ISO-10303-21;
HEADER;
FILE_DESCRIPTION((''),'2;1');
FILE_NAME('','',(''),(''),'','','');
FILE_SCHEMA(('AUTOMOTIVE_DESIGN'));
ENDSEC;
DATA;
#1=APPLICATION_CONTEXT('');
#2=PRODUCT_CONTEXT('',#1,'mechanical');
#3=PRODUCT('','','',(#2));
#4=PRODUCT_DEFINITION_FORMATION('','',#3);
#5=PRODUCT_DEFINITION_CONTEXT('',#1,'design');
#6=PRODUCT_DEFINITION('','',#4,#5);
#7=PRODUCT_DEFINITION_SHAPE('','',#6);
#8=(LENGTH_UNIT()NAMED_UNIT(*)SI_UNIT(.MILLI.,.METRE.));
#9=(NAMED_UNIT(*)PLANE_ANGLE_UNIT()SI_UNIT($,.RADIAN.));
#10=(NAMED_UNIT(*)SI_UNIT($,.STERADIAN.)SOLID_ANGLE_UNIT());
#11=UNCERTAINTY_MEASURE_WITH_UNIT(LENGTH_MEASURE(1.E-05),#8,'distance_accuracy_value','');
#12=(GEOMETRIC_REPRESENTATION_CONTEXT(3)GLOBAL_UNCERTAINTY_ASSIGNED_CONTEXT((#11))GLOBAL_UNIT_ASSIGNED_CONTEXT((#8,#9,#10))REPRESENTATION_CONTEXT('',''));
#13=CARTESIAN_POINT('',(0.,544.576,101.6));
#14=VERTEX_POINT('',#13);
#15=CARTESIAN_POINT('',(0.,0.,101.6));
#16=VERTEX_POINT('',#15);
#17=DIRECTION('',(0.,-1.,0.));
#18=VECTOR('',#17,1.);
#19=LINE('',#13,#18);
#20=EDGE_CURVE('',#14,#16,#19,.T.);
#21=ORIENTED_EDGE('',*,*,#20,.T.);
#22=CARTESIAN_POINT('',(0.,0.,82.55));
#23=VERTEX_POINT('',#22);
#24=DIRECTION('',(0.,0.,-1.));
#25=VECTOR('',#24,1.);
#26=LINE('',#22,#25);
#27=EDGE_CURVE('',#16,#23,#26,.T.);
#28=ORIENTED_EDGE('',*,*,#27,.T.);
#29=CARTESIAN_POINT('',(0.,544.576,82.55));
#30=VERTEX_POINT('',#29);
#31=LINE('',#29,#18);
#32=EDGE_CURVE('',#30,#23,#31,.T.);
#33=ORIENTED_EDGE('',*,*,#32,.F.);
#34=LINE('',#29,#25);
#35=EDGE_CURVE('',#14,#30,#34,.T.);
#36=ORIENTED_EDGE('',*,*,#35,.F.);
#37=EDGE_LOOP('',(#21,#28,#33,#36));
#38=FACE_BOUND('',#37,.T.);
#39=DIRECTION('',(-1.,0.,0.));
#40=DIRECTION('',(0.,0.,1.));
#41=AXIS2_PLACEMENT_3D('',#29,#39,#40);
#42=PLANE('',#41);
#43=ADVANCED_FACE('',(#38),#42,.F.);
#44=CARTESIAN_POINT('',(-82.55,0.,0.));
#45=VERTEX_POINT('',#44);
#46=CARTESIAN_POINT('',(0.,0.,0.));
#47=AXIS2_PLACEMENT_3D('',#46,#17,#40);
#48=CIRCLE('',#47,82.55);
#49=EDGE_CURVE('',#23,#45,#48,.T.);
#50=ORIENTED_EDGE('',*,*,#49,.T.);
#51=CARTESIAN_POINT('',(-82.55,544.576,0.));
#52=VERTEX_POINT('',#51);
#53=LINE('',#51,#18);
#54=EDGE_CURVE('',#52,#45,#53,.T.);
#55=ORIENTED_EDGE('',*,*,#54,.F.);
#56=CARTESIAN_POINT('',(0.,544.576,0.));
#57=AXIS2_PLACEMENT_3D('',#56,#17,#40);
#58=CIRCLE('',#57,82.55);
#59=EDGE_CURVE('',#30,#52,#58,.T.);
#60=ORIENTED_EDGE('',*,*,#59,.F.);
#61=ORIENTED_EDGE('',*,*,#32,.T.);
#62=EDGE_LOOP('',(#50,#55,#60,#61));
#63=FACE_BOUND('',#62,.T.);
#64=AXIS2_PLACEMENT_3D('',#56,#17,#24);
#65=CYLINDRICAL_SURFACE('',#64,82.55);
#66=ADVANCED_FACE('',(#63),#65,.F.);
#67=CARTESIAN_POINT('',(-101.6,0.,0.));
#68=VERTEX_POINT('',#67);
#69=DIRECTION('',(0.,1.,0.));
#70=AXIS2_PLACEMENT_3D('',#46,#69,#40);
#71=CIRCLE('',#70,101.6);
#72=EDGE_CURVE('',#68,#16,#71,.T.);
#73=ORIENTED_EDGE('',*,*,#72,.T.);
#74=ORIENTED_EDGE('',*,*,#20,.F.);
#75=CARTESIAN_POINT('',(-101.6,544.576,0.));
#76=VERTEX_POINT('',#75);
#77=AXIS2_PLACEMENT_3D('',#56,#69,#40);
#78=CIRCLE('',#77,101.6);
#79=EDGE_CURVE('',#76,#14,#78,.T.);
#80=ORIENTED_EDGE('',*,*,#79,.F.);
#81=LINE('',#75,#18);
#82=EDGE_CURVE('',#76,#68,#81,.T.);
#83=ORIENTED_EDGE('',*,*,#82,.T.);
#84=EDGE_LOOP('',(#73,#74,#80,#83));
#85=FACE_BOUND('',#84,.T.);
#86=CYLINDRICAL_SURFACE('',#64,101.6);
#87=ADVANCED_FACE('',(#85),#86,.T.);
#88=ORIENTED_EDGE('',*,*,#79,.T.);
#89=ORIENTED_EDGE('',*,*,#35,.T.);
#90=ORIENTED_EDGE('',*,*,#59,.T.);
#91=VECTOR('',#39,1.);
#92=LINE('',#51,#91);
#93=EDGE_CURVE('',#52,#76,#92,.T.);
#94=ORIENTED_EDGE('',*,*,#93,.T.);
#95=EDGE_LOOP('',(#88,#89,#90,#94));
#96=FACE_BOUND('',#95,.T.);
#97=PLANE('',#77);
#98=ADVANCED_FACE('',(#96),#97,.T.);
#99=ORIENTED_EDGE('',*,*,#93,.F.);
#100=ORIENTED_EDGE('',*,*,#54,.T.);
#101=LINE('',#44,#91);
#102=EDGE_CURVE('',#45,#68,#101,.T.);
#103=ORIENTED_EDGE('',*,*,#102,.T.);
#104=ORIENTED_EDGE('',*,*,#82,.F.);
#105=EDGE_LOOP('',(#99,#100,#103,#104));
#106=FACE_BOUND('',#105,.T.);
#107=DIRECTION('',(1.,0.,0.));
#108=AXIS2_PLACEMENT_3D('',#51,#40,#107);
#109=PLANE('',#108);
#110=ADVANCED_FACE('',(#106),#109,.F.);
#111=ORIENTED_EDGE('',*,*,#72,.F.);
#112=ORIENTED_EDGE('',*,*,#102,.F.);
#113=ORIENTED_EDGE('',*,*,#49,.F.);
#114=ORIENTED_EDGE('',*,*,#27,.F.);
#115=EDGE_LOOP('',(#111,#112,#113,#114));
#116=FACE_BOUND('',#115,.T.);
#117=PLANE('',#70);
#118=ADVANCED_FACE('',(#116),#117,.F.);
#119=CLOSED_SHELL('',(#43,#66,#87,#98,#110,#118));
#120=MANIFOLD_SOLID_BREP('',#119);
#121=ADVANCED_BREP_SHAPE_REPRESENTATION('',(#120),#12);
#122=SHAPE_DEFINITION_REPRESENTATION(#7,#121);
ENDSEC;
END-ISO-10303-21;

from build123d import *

# Parameters (mm, degrees)
BOSS_EXTRUDE1_DEPTH = 544.576


with BuildPart() as part:
    # Sketch1 → Boss-Extrude1 (new body)
    with BuildSketch(Plane(origin=(0, 0, 0), x_dir=(1, 0, 0), z_dir=(0, 1, 0))):
        with BuildLine():
            Line((0, -82.55), (0, -101.6))
            ThreePointArc((0, -101.6), (-71.842048969, -71.842048969), (-101.6, 0))
            Line((-101.6, 0), (-82.55, 0))
            ThreePointArc((-82.55, 0), (-58.371664787, -58.371664787), (0, -82.55))
        make_face()
    extrude(amount=BOSS_EXTRUDE1_DEPTH)


solid = part.part
